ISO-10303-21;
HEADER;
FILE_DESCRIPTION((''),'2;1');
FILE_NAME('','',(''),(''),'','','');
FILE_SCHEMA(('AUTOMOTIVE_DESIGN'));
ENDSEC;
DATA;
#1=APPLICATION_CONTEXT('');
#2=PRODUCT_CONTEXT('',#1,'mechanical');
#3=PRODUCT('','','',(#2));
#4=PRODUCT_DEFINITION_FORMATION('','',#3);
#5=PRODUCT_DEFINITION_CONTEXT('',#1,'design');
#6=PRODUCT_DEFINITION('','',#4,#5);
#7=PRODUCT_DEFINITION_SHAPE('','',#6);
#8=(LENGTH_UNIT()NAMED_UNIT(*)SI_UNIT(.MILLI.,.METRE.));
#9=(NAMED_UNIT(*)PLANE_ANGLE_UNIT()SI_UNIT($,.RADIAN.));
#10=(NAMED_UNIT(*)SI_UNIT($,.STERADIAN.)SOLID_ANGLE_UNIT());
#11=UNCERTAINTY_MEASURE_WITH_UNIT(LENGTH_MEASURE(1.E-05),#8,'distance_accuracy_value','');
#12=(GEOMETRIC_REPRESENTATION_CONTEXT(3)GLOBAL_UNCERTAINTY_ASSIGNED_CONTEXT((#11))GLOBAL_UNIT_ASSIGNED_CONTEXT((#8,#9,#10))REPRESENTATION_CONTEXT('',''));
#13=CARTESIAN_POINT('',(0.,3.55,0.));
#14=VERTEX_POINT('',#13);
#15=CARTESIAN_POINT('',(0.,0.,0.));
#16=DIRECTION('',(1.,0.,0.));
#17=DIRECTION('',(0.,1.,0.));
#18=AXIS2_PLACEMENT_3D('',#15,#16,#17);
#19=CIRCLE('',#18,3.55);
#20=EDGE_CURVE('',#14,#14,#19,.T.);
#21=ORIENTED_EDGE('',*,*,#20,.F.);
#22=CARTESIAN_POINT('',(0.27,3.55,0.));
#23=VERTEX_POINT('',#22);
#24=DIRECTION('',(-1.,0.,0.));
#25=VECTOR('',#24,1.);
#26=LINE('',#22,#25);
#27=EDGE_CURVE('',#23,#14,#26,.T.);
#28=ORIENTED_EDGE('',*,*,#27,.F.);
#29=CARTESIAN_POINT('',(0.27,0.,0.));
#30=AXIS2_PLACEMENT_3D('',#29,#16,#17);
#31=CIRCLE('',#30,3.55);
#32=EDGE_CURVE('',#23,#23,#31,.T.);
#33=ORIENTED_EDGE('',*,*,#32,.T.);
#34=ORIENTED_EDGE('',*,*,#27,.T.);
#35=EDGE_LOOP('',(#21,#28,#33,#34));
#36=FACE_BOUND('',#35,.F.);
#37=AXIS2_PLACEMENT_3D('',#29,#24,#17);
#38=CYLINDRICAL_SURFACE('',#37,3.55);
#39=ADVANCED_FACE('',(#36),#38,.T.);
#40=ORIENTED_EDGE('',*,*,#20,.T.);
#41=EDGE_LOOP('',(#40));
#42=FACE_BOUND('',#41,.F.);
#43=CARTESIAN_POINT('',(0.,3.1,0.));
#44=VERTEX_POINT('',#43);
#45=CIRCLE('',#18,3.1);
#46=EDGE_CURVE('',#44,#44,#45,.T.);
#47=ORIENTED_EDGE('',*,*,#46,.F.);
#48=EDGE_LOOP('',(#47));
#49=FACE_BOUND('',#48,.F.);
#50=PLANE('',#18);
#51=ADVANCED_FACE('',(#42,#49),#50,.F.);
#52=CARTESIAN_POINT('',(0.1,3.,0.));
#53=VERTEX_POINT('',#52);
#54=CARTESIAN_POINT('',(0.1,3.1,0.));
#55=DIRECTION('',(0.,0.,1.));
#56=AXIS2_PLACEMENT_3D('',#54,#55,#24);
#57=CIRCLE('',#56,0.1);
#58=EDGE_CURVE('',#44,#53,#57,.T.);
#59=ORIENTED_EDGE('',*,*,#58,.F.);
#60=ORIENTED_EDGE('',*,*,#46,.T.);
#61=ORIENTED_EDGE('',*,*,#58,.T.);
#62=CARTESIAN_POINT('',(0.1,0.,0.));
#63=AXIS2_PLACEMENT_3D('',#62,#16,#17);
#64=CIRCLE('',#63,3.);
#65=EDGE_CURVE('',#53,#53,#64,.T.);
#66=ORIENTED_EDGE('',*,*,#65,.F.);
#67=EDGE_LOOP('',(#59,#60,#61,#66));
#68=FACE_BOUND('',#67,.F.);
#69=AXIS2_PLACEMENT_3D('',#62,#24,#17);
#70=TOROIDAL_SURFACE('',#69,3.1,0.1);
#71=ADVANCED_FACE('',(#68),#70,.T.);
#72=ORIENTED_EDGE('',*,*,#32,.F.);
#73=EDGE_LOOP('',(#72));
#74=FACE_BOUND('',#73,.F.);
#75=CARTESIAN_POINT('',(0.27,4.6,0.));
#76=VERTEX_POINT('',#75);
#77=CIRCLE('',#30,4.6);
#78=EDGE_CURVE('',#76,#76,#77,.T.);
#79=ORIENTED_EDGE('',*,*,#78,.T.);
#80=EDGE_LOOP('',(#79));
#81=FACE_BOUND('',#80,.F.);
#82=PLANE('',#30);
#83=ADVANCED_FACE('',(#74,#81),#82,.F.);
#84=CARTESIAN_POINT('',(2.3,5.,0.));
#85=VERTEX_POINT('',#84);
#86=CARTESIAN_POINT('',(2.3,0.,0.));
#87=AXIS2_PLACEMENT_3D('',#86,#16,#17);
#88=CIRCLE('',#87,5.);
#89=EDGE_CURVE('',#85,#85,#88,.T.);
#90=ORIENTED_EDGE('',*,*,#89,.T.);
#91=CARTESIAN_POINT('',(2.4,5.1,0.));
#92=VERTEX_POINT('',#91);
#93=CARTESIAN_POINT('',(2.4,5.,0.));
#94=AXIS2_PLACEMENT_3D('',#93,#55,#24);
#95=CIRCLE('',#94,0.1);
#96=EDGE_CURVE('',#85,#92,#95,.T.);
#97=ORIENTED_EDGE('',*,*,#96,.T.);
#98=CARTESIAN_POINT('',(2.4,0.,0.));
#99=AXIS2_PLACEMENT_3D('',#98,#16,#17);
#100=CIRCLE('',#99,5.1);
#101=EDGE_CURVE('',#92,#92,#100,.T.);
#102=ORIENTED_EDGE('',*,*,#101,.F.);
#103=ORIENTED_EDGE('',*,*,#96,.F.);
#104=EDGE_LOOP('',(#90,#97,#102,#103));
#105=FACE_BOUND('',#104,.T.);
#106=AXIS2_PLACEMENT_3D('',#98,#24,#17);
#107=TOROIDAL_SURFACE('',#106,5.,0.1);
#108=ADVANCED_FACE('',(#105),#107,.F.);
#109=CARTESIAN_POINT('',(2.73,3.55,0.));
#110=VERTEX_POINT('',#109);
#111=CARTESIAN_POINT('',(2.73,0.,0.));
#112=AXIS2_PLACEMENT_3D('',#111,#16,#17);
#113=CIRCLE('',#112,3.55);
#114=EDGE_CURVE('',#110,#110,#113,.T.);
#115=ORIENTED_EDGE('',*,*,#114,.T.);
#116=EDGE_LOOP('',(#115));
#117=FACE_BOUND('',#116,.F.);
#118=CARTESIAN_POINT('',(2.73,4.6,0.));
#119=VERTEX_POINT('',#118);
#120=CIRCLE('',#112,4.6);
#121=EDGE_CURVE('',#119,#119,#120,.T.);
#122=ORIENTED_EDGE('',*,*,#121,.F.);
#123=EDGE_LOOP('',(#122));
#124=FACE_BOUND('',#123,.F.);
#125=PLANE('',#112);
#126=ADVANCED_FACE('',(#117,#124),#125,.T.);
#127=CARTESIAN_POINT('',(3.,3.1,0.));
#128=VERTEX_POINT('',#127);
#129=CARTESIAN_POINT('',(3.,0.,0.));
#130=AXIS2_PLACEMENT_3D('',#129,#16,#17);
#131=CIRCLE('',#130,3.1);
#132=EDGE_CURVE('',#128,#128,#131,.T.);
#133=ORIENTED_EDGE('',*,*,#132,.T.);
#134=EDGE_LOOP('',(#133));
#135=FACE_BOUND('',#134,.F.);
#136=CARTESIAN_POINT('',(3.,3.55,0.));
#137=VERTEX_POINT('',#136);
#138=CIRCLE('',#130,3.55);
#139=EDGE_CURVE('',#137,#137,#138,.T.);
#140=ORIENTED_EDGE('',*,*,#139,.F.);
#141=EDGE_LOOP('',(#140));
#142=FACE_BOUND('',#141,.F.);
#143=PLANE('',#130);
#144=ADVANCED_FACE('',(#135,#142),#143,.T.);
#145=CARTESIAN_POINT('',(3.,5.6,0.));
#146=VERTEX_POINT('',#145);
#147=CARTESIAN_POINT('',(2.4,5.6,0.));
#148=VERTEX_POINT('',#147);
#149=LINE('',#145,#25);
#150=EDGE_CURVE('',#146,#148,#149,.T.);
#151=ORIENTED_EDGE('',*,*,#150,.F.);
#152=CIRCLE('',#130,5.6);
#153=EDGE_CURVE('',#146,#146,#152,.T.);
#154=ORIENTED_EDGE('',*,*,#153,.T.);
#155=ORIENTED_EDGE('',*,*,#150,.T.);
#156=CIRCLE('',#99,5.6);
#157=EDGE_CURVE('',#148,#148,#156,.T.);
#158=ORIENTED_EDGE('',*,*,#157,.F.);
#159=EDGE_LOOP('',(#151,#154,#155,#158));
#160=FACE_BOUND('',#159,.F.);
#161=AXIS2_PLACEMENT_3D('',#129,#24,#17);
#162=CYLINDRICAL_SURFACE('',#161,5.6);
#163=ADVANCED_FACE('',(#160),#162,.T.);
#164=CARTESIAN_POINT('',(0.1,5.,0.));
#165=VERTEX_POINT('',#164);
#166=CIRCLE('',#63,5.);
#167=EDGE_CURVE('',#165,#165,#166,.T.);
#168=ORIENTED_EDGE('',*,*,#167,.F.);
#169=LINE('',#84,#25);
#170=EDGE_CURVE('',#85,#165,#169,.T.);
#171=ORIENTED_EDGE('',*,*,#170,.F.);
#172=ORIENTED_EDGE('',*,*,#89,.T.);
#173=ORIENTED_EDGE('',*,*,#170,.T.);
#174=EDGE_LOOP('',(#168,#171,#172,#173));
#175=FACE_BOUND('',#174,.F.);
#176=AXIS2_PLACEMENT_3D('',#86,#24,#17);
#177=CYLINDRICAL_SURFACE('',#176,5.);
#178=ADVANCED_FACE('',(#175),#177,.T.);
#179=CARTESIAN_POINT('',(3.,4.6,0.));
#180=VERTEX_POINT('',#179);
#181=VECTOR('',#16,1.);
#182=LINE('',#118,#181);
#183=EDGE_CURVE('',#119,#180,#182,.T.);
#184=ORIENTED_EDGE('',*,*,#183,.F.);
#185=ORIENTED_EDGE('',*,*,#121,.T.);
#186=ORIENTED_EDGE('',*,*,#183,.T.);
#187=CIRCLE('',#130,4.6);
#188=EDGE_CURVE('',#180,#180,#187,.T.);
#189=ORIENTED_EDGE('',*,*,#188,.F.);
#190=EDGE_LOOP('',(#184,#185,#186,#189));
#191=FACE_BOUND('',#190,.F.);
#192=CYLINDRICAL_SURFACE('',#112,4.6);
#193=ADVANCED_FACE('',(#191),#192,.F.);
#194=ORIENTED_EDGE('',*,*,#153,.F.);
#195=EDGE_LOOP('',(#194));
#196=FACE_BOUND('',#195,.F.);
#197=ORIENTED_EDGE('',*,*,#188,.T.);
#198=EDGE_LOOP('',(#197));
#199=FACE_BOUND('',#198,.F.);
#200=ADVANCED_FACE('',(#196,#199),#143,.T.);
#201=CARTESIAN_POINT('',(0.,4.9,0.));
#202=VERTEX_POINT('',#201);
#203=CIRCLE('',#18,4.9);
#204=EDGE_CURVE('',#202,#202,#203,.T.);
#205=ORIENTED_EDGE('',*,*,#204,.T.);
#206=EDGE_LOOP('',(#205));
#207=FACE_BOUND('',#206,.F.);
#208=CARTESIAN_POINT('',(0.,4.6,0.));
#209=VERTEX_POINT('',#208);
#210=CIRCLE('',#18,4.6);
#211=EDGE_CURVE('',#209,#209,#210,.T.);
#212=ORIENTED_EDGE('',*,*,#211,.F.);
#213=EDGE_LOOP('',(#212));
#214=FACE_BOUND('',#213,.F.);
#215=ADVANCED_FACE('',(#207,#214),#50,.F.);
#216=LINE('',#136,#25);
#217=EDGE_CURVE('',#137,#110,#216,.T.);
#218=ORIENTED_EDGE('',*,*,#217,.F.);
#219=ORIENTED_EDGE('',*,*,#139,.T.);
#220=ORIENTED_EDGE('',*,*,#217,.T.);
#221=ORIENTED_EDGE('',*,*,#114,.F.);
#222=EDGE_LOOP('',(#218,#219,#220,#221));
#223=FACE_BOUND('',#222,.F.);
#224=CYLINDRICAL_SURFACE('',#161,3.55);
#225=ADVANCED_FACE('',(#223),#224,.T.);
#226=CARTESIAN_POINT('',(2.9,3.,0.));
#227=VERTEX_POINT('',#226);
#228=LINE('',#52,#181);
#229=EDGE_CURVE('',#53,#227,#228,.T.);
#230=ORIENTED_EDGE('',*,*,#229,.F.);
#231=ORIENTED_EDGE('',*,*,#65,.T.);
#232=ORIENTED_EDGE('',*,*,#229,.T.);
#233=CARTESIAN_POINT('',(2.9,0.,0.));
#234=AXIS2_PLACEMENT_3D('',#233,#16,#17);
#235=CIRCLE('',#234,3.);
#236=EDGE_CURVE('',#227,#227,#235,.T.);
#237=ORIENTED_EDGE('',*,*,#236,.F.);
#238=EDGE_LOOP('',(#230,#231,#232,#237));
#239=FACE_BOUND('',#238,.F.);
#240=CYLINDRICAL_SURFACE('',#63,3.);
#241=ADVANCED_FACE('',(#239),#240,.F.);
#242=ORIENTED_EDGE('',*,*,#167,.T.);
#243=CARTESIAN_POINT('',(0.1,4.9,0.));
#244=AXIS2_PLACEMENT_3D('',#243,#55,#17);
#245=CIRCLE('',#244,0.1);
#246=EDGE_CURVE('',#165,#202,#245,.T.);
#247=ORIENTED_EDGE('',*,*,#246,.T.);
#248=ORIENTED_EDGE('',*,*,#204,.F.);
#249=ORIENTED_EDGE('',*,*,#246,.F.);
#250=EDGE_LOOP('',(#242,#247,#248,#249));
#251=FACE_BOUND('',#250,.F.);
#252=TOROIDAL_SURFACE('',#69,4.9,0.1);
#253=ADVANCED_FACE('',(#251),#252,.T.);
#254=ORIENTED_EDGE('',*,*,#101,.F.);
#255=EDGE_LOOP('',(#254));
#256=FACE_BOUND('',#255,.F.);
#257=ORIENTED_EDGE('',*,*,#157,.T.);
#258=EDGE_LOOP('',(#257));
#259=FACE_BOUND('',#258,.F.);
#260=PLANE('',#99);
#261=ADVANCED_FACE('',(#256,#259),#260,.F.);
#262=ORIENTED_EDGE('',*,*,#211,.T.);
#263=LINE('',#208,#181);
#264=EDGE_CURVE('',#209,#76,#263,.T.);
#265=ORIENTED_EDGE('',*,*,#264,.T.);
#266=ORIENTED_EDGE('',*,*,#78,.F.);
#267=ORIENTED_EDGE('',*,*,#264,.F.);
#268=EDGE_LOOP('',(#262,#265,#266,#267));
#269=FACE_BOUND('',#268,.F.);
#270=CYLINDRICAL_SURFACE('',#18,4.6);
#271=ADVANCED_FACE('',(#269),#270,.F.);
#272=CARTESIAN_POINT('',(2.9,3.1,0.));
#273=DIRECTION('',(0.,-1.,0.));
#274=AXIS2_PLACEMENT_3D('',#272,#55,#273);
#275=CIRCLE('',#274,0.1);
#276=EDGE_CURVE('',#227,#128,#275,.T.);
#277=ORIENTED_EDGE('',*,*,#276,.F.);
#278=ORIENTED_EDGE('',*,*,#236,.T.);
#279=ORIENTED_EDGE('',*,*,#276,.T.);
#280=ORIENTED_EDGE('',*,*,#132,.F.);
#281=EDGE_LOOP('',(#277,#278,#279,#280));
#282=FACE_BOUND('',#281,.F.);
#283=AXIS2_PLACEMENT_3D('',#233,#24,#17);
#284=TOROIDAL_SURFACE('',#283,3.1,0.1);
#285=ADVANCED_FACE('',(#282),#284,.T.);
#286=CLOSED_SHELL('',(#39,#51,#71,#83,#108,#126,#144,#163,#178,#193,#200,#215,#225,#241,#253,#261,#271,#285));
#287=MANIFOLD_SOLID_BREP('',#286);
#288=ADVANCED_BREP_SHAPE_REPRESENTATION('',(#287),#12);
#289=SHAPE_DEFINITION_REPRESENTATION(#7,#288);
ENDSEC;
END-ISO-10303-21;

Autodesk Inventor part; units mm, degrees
sketch "Sketch_1" plane through (0, 0, 0) normal (0, 0, 1) x (1, 0, 0)
  line L0 (10, 0) -> (-10, 0)
  arc A0 (0, 3.1) -> (0.1, 3) centre (0.1, 3.1) ccw
  line L1 (0.1, 3) -> (2.9, 3)
  arc A1 (2.9, 3) -> (3, 3.1) centre (2.9, 3.1) ccw
  line L2 (3, 3.1) -> (3, 3.55)
  line L3 (3, 3.55) -> (2.73, 3.55)
  line L4 (2.73, 3.55) -> (2.73, 4.6)
  line L5 (2.73, 4.6) -> (3, 4.6)
  line L6 (3, 4.6) -> (3, 5.6)
  line L7 (3, 5.6) -> (2.4, 5.6)
  line L8 (2.4, 5.6) -> (2.4, 5.1)
  arc A2 (2.3, 5) -> (2.4, 5.1) centre (2.4, 5) ccw
  line L9 (2.3, 5) -> (0.1, 5)
  arc A3 (0.1, 5) -> (0, 4.9) centre (0.1, 4.9) ccw
  line L10 (0, 4.9) -> (0, 4.6)
  line L11 (0, 4.6) -> (0.27, 4.6)
  line L12 (0.27, 4.6) -> (0.27, 3.55)
  line L13 (0.27, 3.55) -> (0, 3.55)
  line L14 (0, 3.55) -> (0, 3.1)
revolve "Revolution1" add sketch "Sketch_1" angle 360 about axis through (10, 0, 0) along (1, 0, 0)
ref_plane "to_housing_XY" through (0, 0, 0) normal (1, 0, 0) x (0, 0, -1)
ref_plane "to_housing_YZ" through (0, 0, 0) normal (0, 0, -1) x (0, 1, 0)
ref_plane "to_housing_ZX" through (0, 0, 0) normal (0, 1, 0) x (1, 0, 0)
properties part number "FL676ZZ"
